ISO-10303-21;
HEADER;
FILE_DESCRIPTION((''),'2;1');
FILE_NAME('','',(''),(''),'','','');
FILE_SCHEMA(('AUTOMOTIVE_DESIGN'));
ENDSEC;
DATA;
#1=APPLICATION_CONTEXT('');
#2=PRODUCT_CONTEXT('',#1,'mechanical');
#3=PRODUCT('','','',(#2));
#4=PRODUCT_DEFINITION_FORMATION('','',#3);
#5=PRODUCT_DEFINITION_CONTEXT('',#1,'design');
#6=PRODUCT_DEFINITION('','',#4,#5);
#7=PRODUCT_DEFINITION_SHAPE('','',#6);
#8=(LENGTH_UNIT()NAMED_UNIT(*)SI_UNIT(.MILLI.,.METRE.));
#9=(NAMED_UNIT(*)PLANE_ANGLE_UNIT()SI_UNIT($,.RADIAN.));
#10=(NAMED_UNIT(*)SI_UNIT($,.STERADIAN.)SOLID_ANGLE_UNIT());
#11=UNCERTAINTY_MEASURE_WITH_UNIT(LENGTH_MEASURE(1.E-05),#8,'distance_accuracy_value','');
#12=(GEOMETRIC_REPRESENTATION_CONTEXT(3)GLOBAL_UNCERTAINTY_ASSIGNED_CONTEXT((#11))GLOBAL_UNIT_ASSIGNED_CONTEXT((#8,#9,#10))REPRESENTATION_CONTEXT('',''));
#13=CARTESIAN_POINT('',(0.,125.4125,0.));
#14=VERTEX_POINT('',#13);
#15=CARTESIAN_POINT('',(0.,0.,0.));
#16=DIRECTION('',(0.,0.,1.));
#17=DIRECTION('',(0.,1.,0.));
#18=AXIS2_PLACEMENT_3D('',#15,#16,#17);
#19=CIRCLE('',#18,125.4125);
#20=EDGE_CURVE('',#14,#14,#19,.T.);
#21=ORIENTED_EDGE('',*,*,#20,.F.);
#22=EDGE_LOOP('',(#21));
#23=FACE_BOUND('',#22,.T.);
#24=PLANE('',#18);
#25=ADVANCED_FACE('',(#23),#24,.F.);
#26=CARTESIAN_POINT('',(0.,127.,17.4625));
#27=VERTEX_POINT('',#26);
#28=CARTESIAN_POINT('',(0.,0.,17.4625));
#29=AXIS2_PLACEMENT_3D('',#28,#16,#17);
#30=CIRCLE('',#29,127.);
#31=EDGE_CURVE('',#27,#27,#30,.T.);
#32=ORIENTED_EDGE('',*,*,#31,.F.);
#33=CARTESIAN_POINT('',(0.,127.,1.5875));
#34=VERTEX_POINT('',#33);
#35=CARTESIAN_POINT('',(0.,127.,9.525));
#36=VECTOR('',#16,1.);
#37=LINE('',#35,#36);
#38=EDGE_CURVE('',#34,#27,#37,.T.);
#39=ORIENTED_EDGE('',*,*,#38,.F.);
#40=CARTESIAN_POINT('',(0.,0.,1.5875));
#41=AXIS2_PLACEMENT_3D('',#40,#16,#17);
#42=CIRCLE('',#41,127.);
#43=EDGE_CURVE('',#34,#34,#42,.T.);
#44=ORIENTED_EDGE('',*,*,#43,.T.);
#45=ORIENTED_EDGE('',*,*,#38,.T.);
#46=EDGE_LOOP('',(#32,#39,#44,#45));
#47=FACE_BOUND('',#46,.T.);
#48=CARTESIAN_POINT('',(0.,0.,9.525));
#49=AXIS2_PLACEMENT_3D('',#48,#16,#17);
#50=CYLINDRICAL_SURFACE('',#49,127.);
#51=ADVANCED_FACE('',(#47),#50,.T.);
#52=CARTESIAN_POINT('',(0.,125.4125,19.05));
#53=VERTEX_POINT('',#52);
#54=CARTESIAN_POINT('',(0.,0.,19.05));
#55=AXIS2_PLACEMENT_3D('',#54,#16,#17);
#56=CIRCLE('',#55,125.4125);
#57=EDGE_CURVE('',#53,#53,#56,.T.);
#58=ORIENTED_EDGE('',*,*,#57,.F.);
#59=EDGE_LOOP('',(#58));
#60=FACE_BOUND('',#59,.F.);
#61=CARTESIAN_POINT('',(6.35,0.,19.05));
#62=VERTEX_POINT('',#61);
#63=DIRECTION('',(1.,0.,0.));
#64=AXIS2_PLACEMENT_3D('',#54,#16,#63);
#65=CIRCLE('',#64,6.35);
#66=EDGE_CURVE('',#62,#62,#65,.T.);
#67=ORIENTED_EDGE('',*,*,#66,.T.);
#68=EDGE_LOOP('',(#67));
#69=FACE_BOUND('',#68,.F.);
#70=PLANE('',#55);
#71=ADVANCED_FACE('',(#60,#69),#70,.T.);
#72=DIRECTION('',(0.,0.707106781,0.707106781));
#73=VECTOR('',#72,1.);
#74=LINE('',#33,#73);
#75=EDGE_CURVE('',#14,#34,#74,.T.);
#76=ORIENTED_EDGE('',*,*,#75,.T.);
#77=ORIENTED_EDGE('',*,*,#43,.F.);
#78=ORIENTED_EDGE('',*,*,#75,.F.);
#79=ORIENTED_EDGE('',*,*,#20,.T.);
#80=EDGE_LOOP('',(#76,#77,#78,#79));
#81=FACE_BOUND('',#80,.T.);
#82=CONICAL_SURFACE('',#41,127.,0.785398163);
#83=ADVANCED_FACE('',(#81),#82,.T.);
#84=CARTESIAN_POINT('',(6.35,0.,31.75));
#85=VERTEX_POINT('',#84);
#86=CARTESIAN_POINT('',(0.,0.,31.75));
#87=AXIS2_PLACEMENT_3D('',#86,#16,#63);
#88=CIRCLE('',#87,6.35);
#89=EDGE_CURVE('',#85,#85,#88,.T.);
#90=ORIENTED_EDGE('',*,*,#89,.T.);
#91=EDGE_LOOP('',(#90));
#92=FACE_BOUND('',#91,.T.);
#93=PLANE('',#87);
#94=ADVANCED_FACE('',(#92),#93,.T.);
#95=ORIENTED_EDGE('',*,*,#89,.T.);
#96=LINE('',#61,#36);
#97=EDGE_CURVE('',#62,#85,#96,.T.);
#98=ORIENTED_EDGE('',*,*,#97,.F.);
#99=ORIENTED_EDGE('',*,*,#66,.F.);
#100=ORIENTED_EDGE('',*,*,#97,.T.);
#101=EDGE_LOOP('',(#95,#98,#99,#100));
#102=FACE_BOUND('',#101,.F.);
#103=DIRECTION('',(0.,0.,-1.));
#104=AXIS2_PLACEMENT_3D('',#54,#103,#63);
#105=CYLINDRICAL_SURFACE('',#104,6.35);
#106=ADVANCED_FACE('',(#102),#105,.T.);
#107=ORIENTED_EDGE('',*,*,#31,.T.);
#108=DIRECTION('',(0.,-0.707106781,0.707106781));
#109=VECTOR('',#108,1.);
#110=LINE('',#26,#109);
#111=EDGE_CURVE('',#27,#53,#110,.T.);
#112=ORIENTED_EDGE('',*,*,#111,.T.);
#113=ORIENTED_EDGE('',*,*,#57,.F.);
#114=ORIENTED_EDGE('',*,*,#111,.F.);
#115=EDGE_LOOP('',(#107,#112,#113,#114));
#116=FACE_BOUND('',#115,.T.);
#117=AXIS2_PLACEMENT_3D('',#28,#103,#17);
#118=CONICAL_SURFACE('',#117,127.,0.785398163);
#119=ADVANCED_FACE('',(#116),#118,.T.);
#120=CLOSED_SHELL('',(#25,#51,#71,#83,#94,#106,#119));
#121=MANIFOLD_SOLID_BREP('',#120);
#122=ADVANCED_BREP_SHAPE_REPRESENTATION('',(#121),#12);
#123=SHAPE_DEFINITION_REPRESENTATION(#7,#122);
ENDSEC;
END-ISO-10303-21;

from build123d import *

# Parameters (mm, degrees)
F0_W     = 127
F0_H     = 19.05
F2_SIZE2 = 1.5875
F2_SIZE  = 1.5875
F3_R     = 6.35
F4_DEPTH = 12.7


with BuildPart() as f1:
    # F0 (on Right) → F1 (revolve)
    with BuildSketch(Plane.YZ):
        with Locations((63.5, 9.525)):
            Rectangle(F0_W, F0_H)
    revolve(axis=Axis((0, 0, 9.525), (0, 0, 1)))

    # F2
    f2_edges = [f1.edges().sort_by_distance(p)[0] for p in [
        (0, -127, 0),
        (0, -127, 19.05),
    ]]
    chamfer(f2_edges, length=F2_SIZE, length2=F2_SIZE2)

    # F3 (on face) → F4 (join)
    with BuildSketch(Plane.XY.offset(19.05)):
        Circle(F3_R)
    extrude(amount=F4_DEPTH)


solid = f1.part
